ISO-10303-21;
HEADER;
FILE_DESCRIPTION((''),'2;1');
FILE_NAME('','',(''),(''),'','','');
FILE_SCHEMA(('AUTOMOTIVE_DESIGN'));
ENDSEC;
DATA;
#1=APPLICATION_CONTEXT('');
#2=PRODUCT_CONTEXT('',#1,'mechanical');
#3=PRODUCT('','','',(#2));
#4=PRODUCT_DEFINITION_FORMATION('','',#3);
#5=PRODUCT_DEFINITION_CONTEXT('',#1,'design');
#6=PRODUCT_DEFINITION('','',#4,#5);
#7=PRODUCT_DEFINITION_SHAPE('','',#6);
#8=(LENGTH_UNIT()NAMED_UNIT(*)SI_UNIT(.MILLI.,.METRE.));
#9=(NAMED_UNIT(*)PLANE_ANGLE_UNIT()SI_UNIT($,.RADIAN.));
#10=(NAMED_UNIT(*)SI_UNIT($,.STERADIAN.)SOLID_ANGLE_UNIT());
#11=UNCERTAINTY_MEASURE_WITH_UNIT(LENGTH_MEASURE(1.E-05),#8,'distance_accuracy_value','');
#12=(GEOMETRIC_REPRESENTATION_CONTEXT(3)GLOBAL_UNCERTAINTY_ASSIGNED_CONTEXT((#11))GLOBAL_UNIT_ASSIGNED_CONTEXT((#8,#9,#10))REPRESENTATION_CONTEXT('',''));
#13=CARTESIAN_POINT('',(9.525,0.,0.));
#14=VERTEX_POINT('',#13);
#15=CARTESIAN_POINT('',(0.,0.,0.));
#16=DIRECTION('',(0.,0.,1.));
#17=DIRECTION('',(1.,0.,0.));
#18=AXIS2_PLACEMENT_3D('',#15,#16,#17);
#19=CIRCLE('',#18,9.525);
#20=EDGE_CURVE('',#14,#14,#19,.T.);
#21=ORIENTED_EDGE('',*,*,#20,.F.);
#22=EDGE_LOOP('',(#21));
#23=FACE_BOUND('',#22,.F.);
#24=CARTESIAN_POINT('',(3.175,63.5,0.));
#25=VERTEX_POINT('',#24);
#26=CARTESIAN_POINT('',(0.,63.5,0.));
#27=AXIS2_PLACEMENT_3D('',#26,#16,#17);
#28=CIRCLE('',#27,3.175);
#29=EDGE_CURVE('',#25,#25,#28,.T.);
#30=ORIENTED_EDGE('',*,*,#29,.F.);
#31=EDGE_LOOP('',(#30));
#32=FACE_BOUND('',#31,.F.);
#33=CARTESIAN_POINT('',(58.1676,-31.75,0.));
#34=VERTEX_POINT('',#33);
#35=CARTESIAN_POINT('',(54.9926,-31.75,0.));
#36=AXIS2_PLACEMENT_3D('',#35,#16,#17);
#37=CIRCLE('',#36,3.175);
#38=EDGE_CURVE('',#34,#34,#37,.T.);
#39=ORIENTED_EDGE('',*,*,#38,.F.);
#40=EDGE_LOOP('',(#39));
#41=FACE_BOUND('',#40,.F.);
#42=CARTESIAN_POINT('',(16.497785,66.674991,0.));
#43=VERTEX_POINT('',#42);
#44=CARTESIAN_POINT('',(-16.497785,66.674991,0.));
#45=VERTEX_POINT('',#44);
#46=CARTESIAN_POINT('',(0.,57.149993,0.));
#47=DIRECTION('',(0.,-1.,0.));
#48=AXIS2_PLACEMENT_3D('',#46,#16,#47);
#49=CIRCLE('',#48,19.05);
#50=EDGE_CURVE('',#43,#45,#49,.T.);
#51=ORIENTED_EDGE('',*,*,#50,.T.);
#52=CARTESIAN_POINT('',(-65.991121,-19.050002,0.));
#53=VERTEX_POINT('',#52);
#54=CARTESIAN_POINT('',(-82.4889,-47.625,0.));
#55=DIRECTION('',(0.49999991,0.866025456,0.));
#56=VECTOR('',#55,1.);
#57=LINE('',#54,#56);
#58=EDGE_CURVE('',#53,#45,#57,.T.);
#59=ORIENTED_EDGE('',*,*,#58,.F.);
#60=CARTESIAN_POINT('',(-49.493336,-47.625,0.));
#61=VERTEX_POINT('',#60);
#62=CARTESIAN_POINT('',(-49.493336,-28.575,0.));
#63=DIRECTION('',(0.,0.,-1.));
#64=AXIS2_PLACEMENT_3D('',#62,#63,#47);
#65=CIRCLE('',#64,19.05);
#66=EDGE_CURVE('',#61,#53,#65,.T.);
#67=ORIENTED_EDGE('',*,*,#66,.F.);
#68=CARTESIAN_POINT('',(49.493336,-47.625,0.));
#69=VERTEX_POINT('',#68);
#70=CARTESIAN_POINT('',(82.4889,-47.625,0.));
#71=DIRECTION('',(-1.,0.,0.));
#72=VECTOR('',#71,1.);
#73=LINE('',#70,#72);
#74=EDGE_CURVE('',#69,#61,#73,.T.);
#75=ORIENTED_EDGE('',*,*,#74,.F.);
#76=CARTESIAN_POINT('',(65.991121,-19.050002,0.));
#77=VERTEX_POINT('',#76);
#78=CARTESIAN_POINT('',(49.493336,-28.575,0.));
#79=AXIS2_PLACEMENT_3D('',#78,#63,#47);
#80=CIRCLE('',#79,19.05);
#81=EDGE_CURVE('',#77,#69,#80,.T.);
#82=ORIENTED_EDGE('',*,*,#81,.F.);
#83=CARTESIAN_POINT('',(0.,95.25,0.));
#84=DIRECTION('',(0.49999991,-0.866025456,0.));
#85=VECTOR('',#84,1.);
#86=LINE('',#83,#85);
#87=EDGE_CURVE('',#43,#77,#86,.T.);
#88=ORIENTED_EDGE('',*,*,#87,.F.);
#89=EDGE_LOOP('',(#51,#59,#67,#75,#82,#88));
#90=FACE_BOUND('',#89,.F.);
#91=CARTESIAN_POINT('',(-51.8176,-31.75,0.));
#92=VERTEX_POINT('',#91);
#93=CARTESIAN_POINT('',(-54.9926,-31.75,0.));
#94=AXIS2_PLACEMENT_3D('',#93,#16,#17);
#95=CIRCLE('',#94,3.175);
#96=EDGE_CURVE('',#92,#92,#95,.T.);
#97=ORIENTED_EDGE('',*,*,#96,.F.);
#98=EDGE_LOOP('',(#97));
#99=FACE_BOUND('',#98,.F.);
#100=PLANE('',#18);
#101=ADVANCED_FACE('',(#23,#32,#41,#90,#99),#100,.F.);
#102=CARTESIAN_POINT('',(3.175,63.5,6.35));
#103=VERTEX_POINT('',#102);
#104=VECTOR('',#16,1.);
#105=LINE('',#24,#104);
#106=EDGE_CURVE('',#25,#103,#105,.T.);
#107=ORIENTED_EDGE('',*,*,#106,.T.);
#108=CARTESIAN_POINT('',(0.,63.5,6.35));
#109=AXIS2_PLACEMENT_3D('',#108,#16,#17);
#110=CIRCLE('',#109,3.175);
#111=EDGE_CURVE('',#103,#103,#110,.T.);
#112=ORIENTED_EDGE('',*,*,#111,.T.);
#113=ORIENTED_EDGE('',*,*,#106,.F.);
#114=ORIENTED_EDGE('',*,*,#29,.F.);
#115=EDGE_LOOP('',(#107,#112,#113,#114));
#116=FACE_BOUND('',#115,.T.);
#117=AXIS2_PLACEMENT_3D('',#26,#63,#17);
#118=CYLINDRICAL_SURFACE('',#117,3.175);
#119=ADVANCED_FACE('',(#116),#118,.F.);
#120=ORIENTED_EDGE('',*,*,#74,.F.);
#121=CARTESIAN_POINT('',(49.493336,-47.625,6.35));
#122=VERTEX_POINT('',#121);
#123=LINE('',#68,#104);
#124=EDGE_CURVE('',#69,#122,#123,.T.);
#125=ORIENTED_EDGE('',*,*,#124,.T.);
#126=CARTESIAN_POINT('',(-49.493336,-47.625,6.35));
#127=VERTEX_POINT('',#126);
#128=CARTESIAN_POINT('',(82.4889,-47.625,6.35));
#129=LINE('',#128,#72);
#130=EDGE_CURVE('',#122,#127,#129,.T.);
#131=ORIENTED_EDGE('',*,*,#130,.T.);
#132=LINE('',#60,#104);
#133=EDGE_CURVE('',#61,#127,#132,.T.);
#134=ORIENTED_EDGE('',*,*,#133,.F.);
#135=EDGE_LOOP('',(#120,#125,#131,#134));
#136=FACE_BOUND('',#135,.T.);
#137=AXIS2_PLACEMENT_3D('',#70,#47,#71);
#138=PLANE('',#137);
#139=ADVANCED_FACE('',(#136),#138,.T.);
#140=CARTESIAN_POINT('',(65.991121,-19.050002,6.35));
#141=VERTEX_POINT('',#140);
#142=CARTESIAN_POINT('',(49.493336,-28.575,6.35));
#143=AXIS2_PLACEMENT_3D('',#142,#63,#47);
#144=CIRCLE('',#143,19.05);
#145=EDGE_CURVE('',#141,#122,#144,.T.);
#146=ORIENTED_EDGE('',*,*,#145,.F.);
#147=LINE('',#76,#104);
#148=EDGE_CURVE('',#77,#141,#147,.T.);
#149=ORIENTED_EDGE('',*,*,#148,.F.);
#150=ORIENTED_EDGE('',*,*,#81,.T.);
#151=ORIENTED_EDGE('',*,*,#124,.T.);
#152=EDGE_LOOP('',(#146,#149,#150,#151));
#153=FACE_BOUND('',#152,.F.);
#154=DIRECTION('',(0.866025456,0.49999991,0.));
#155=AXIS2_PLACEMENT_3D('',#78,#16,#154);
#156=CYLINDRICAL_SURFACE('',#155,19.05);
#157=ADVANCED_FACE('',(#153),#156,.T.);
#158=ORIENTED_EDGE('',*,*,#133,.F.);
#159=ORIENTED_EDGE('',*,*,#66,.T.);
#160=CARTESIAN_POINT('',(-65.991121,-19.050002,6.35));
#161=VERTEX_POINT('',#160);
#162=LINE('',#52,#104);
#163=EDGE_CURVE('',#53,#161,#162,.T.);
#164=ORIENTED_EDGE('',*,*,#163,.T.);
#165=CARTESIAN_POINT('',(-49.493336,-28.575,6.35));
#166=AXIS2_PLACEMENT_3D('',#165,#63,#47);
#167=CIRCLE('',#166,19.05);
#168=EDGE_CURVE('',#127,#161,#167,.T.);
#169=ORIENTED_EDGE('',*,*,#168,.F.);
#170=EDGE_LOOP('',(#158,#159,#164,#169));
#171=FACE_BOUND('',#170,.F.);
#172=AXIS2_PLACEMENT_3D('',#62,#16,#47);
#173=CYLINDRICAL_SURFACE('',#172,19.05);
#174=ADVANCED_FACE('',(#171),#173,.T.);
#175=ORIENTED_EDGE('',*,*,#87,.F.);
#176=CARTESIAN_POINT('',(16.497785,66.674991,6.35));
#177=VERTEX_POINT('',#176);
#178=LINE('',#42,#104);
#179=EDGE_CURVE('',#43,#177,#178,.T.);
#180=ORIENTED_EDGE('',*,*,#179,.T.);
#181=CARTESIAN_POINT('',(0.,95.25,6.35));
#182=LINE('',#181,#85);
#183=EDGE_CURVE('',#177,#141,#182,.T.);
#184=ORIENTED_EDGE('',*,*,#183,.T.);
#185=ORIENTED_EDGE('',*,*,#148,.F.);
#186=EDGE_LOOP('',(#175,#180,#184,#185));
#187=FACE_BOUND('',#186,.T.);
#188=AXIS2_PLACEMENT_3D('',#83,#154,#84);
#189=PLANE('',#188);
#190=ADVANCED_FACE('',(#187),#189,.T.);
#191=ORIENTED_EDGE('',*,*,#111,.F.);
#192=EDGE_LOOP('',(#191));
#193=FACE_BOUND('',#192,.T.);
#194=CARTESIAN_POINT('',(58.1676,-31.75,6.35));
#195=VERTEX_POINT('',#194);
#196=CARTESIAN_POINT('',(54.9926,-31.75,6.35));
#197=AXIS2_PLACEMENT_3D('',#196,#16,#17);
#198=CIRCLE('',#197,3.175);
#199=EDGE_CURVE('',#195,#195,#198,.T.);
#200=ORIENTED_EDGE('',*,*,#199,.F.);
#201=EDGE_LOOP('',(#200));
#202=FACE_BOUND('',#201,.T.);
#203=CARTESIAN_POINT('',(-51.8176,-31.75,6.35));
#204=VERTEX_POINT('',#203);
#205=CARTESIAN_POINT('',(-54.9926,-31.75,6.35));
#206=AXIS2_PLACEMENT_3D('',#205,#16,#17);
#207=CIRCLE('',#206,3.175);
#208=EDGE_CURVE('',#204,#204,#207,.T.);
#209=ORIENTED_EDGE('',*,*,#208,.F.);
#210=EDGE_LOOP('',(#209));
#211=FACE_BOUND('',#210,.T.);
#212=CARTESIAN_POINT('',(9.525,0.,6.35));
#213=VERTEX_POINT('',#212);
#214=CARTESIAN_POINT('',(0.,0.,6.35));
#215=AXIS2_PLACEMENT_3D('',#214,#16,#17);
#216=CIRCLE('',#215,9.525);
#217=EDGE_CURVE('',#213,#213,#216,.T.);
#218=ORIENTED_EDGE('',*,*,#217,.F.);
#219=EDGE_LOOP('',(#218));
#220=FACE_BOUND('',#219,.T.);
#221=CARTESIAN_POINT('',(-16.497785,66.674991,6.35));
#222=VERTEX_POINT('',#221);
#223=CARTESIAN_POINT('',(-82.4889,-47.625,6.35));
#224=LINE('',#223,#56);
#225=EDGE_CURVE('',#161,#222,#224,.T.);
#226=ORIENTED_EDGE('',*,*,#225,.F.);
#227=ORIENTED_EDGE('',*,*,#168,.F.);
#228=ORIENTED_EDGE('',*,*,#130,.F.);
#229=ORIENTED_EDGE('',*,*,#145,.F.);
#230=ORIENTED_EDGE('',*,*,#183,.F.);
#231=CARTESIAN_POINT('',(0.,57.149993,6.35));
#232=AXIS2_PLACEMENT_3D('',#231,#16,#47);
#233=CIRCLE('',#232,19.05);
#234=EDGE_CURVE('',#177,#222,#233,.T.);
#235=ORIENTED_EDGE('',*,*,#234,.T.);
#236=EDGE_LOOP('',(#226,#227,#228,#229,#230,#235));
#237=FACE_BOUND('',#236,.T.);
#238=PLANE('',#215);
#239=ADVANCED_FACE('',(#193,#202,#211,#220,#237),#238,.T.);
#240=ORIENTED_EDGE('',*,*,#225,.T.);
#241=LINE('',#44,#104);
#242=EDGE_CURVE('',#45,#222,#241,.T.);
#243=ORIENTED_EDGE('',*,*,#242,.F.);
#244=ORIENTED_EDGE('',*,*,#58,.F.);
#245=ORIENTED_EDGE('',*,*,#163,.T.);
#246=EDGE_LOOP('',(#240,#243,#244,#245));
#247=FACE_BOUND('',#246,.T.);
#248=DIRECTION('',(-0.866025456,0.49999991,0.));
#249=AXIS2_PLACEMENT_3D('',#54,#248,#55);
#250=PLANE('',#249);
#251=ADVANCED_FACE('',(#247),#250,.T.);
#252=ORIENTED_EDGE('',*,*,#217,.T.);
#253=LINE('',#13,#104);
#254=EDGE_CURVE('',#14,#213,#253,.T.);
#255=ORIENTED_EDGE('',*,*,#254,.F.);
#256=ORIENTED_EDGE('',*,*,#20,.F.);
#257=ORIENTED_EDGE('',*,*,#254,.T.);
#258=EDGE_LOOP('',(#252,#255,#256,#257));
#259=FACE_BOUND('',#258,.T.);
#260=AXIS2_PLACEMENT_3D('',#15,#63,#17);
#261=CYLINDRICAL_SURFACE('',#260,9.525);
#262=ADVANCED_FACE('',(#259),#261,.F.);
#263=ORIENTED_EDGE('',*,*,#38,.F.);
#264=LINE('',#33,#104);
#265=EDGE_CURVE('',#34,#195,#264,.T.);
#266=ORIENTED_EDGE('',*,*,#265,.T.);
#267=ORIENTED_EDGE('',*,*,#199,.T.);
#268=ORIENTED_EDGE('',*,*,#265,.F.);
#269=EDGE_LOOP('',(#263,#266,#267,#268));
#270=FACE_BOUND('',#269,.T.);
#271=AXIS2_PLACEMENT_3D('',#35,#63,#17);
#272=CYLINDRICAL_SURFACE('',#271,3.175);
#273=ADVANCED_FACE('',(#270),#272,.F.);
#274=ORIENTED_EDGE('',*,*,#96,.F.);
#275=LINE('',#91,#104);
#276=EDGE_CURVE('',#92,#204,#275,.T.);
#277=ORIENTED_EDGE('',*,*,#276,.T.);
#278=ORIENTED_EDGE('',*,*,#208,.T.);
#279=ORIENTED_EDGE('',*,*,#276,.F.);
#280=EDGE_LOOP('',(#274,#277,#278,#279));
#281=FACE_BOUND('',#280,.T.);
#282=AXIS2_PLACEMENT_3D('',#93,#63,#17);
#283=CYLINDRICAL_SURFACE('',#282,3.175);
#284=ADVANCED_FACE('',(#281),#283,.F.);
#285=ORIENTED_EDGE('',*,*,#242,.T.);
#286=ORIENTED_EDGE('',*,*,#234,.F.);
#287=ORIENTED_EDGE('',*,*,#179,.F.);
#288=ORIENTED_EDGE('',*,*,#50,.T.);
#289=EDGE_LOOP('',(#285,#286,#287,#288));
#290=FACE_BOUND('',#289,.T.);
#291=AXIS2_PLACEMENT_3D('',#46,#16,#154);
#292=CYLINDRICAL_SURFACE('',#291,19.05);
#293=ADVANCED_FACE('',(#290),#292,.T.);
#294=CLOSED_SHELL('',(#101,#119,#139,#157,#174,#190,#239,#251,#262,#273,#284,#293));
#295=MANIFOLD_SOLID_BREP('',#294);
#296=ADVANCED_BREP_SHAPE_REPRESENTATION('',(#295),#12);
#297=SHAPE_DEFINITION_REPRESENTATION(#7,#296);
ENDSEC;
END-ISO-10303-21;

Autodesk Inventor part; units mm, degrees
ref_plane "YZ Plane" through (0, 0, 0) normal (1, 0, 0) x (0, 1, 0)
ref_plane "XZ Plane" through (0, 0, 0) normal (0, 1, 0) x (-1, 0, 0)
ref_plane "XY Plane" through (0, 0, 0) normal (0, 0, 1) x (1, 0, 0)
sketch "Sketch2" plane through (0, 0, 0) normal (0, 0, 1) x (1, 0, 0)
  circle A0 centre (0, 0) radius 9.525
  circle A1 centre (0, 63.5) radius 3.175
  circle A2 centre (-54.9926, -31.75) radius 3.175
  circle A3 centre (54.9926, -31.75) radius 3.175
  line L0 (0, 69.85) -> (60.4919, -34.925) construction
  line L1 (60.4919, -34.925) -> (-60.4919, -34.925) construction
  line L2 (-60.4919, -34.925) -> (0, 69.85) construction
  line L3 (0, 95.25) -> (82.4889, -47.625)
  line L4 (82.4889, -47.625) -> (-82.4889, -47.625)
  line L5 (-82.4889, -47.625) -> (0, 95.25)
  dimension "d0" = 19.05
  dimension "d1" = 6.35
  dimension "d2" = 63.5
  dimension "d5" = 360
  dimension "d8" = 12.7
  dimension "d9" = 12.7
  dimension "d10" = 12.7
extrude "Extrusion1" add sketch "Sketch2" along normal blind 6.35
fillet "Fillet1" radius 19.05 3 edges at (0, 95.25, 3.175) (-82.4889, -47.625, 3.175) (82.4889, -47.625, 3.175)
properties part number "Triangle-bearing-hole"
